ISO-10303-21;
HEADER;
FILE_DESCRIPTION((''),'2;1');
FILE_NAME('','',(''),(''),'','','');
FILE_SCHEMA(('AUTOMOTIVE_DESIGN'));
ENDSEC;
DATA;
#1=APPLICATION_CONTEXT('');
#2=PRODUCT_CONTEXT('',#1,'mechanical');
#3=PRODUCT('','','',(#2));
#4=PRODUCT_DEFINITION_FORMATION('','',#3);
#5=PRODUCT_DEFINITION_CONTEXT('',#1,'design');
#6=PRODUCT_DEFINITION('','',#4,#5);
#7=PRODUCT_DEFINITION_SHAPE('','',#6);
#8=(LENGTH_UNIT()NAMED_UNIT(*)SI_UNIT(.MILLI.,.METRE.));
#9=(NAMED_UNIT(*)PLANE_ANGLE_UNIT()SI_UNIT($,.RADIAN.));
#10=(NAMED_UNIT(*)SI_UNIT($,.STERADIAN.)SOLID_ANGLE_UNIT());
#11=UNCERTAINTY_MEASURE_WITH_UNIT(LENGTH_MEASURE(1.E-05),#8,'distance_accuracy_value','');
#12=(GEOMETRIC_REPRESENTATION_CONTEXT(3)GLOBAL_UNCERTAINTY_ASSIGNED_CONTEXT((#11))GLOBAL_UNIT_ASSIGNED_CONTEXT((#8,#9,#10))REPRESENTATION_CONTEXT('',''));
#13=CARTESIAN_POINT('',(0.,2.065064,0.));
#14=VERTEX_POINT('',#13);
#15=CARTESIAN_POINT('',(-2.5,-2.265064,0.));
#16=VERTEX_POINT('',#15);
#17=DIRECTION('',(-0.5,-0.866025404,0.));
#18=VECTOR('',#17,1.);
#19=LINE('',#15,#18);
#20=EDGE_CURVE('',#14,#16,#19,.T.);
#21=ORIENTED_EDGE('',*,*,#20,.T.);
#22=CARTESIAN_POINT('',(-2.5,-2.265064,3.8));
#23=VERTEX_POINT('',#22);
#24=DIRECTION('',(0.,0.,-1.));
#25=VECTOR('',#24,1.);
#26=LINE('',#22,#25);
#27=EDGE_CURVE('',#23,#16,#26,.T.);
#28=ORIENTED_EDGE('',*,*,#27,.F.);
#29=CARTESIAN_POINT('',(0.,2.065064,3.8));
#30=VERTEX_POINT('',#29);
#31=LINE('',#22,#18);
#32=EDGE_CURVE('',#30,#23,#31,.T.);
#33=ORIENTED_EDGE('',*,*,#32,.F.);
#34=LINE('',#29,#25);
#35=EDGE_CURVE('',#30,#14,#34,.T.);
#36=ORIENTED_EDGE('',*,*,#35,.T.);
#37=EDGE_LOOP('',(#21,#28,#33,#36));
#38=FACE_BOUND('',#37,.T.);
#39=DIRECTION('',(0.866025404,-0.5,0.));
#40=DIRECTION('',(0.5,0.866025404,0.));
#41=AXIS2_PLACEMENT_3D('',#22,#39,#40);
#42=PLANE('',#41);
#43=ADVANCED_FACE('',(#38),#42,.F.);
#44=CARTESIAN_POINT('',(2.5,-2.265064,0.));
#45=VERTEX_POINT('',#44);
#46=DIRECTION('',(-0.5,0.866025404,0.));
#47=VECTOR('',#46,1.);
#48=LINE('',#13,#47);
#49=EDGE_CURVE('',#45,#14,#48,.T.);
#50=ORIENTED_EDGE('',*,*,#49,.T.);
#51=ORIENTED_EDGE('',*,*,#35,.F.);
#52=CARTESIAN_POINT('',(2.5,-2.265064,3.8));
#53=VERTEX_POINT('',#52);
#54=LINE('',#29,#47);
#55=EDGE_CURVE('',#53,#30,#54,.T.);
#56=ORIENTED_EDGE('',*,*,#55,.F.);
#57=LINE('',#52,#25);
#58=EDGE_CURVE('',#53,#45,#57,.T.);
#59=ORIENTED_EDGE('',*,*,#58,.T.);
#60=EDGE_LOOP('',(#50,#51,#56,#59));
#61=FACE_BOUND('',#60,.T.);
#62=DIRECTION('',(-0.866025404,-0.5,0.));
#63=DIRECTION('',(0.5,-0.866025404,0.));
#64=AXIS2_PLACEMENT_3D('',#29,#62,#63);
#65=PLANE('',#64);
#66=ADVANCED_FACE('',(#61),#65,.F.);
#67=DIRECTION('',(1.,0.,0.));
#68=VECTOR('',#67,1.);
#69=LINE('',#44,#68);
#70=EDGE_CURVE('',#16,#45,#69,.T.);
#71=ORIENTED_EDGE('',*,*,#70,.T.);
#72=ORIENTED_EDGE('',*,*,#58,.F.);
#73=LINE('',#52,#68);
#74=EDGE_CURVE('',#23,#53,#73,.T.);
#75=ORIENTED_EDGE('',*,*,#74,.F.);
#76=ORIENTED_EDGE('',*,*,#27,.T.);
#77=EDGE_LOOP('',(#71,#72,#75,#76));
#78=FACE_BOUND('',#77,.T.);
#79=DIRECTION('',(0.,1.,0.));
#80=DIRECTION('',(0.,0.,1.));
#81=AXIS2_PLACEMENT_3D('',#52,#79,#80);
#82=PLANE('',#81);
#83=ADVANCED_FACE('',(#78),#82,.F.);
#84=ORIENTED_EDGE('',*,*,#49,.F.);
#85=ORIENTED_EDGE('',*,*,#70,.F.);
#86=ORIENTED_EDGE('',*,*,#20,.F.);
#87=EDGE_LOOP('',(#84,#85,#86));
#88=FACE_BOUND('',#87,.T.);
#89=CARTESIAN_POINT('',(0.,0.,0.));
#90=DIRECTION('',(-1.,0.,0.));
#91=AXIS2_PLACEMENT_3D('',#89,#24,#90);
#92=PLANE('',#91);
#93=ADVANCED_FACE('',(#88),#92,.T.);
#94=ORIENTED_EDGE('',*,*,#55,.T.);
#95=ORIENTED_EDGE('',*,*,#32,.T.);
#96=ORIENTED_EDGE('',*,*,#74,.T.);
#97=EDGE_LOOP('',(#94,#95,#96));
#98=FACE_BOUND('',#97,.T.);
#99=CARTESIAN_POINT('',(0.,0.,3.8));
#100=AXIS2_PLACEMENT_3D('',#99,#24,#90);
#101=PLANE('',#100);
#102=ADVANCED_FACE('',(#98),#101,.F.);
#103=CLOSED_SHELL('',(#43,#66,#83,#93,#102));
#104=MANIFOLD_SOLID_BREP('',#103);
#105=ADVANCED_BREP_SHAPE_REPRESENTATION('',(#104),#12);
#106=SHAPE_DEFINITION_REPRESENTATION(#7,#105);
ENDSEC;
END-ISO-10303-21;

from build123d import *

# Parameters (mm, degrees)
EXTRUDE_1_DEPTH = 3.8


with BuildPart() as part:
    # Эскиз2 → Бобышка-Вытянуть1 (new body)
    with BuildSketch(Plane.XY):
        Polygon((-2.5, -2.265063509), (0, 2.065063509), (2.5, -2.265063509), align=None)
    extrude(amount=EXTRUDE_1_DEPTH)


solid = part.part
